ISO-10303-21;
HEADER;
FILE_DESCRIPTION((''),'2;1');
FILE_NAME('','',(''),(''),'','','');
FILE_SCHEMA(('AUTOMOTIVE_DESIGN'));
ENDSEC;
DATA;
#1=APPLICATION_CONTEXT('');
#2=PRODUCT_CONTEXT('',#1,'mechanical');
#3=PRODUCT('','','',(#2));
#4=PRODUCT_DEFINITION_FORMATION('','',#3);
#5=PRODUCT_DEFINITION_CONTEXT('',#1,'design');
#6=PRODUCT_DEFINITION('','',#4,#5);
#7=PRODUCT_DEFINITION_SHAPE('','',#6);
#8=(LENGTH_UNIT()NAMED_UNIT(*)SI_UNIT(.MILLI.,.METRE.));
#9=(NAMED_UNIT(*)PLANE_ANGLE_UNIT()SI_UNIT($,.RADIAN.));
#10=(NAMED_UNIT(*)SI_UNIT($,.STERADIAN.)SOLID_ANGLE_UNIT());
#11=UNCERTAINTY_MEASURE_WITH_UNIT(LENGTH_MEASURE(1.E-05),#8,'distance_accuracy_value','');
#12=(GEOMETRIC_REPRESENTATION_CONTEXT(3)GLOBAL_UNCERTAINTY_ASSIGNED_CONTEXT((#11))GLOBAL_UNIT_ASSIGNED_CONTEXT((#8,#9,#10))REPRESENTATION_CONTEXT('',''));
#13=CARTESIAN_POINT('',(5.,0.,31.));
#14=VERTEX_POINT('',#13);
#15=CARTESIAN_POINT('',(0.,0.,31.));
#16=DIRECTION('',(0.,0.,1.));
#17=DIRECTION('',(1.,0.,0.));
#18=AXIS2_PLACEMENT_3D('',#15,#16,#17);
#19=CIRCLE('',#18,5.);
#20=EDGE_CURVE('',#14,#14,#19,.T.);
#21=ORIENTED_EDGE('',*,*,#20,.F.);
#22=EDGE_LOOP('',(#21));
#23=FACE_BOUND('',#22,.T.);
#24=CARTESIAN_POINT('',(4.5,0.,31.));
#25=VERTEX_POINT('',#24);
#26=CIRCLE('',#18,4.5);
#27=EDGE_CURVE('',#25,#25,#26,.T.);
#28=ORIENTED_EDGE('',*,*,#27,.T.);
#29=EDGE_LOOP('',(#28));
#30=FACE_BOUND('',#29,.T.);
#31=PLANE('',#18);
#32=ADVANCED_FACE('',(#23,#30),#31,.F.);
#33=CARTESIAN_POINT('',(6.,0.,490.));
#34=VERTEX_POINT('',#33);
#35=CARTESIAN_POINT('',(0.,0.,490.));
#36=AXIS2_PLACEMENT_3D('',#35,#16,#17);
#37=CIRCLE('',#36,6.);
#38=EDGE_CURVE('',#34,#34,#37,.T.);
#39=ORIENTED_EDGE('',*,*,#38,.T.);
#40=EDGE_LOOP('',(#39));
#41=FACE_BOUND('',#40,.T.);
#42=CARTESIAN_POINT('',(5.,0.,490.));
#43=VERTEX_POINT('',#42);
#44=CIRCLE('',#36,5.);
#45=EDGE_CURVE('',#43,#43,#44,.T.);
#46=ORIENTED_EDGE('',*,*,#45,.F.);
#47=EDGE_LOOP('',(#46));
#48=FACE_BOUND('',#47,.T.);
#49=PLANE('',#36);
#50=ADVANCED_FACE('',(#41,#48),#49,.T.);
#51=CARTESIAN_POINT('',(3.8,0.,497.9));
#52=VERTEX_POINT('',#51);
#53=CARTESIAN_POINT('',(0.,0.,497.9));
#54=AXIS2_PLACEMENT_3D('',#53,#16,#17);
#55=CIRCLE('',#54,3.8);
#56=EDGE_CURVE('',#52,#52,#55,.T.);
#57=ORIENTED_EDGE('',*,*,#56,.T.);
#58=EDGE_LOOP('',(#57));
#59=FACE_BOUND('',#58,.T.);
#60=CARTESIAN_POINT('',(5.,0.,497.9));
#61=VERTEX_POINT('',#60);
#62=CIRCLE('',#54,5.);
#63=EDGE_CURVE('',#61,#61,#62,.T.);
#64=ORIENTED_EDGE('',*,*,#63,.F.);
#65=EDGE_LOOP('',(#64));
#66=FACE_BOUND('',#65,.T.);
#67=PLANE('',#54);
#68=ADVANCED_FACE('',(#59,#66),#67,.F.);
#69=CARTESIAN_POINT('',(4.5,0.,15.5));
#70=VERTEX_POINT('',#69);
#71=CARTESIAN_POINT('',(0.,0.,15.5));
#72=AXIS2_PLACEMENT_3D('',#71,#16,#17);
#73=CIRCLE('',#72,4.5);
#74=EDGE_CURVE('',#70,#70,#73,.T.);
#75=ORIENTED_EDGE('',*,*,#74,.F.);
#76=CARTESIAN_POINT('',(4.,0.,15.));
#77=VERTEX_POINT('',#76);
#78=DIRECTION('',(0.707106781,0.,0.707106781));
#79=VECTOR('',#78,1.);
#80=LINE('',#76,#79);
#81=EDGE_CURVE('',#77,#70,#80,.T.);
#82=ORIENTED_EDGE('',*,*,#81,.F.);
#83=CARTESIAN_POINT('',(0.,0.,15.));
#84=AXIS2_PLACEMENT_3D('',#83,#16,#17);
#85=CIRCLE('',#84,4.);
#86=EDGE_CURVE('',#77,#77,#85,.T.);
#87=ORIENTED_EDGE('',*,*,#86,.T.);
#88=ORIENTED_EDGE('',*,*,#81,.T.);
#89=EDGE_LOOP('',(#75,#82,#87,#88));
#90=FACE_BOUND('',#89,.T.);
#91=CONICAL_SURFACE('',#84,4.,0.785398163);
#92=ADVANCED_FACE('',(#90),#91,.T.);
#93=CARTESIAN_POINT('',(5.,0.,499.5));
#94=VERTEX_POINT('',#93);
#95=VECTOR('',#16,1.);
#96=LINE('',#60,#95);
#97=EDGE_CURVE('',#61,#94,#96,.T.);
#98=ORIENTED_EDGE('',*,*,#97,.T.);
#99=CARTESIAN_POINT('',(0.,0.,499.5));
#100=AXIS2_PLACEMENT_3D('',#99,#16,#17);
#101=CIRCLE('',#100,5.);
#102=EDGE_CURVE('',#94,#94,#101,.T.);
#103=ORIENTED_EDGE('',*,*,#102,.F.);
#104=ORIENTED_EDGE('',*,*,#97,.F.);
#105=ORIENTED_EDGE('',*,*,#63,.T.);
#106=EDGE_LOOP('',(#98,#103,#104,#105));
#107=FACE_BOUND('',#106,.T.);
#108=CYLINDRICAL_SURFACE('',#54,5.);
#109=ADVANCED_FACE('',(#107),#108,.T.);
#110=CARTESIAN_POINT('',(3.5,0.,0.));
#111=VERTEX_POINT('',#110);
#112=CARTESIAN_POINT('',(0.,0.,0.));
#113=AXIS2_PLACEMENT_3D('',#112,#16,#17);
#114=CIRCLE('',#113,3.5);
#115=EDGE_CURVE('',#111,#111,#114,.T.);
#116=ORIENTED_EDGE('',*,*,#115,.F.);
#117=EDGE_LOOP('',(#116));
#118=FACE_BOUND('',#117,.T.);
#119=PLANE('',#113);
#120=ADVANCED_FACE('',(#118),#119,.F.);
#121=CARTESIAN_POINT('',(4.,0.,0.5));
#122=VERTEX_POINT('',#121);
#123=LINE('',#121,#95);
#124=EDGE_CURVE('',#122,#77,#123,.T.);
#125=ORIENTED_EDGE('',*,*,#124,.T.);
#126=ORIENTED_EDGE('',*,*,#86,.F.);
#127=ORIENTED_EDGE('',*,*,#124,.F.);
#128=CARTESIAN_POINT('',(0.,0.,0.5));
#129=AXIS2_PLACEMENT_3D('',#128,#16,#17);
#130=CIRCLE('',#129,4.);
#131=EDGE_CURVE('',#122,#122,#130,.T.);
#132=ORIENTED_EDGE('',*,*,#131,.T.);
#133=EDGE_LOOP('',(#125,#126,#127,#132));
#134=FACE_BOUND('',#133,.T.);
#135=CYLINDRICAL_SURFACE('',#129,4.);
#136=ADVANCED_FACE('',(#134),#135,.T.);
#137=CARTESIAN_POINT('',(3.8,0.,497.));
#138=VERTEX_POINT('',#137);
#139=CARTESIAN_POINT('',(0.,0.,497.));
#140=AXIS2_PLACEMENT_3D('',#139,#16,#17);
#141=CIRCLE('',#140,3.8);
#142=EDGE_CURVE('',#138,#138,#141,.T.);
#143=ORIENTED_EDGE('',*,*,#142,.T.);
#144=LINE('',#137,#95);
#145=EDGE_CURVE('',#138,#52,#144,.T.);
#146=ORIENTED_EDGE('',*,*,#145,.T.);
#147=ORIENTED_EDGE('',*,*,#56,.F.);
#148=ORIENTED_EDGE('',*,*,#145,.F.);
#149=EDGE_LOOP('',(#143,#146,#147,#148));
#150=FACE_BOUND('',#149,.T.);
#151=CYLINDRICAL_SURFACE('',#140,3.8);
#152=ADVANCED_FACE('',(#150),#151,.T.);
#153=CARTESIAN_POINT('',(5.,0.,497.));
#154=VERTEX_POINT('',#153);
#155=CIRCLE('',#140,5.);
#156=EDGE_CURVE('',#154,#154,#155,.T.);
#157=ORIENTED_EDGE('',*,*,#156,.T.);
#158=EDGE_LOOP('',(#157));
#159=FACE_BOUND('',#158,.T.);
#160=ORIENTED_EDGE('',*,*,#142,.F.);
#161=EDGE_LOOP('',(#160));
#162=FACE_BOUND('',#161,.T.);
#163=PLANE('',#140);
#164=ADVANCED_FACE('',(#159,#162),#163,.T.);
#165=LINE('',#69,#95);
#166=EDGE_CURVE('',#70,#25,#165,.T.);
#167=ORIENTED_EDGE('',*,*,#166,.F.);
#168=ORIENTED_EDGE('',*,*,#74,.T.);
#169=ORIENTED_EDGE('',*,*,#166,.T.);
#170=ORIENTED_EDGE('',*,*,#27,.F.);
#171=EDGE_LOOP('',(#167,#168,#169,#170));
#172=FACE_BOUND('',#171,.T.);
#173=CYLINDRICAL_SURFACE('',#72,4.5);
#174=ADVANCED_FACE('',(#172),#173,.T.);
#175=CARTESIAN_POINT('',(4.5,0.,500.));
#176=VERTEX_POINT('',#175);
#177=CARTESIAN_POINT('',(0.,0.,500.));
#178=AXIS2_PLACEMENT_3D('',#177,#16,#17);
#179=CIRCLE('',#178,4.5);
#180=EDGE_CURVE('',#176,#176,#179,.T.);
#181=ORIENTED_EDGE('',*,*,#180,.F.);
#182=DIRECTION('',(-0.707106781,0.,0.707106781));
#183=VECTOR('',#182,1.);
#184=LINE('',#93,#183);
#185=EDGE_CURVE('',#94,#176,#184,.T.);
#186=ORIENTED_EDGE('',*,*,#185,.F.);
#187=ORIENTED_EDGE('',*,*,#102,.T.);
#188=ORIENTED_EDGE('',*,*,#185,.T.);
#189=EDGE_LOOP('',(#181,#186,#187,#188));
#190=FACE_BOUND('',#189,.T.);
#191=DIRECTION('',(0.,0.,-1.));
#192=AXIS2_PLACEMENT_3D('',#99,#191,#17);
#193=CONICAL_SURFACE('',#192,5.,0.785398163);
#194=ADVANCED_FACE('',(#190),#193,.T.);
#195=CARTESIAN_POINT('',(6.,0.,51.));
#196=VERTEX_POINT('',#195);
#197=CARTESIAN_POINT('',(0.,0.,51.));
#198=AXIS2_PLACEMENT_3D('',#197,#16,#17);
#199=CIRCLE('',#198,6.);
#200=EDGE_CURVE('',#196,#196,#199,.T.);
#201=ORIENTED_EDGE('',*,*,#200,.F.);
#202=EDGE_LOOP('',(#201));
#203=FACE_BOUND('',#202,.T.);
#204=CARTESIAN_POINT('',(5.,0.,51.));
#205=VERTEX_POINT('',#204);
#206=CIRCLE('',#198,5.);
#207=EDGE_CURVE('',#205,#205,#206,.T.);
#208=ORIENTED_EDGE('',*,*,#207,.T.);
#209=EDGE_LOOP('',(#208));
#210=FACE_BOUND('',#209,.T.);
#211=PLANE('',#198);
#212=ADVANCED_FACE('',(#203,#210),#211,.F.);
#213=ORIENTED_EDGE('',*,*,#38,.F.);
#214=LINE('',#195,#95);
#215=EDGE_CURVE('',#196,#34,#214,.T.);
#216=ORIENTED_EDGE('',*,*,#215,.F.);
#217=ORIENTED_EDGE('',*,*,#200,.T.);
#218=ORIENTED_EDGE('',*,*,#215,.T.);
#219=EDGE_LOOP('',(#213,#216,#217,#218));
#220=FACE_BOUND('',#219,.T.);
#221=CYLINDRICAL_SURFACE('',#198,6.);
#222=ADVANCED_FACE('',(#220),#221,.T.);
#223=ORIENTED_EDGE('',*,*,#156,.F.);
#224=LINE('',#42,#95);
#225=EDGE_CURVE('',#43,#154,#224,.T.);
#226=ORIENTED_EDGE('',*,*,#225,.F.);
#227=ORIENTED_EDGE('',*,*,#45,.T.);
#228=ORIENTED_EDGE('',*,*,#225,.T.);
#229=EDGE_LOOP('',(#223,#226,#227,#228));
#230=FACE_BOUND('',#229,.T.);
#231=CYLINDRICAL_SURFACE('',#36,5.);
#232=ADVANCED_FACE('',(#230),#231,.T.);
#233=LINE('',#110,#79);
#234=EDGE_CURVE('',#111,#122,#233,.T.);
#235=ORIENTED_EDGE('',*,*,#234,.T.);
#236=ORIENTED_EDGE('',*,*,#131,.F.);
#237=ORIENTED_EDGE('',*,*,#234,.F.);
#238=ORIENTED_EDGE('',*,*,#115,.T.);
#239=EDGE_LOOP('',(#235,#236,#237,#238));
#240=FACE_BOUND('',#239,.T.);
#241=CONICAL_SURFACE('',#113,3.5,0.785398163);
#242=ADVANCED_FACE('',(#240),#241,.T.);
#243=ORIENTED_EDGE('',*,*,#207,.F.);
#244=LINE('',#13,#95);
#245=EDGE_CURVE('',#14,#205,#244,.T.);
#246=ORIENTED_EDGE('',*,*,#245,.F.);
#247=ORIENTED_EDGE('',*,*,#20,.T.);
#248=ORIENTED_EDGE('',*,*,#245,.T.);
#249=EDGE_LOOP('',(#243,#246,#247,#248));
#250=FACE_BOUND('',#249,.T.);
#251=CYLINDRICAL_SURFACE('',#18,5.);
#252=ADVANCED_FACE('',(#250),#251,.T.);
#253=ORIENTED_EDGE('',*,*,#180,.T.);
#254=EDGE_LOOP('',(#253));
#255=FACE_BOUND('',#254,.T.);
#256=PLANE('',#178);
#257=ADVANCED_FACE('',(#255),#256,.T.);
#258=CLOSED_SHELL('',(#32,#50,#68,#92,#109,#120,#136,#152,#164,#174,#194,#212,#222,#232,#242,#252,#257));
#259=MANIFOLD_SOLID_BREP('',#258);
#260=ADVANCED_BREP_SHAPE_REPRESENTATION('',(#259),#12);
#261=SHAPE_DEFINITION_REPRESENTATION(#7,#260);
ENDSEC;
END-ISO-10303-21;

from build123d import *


with BuildPart() as f1:
    # F0 (on Front) → F1 (revolve)
    with BuildSketch(Plane.XZ):
        Polygon((0, 500), (0, 0), (3.5, 0), (4, 0.5), (4, 15), (4.5, 15.5), (4.5, 31), (5, 31), (5, 51), (6, 51), (6, 490), (5, 490), (5, 497), (3.8, 497), (3.8, 497.9), (5, 497.9), (5, 499.5), (4.5, 500), align=None)
    revolve(axis=Axis((0, 0, 142.919585), (0, 0, 1)))


solid = f1.part
